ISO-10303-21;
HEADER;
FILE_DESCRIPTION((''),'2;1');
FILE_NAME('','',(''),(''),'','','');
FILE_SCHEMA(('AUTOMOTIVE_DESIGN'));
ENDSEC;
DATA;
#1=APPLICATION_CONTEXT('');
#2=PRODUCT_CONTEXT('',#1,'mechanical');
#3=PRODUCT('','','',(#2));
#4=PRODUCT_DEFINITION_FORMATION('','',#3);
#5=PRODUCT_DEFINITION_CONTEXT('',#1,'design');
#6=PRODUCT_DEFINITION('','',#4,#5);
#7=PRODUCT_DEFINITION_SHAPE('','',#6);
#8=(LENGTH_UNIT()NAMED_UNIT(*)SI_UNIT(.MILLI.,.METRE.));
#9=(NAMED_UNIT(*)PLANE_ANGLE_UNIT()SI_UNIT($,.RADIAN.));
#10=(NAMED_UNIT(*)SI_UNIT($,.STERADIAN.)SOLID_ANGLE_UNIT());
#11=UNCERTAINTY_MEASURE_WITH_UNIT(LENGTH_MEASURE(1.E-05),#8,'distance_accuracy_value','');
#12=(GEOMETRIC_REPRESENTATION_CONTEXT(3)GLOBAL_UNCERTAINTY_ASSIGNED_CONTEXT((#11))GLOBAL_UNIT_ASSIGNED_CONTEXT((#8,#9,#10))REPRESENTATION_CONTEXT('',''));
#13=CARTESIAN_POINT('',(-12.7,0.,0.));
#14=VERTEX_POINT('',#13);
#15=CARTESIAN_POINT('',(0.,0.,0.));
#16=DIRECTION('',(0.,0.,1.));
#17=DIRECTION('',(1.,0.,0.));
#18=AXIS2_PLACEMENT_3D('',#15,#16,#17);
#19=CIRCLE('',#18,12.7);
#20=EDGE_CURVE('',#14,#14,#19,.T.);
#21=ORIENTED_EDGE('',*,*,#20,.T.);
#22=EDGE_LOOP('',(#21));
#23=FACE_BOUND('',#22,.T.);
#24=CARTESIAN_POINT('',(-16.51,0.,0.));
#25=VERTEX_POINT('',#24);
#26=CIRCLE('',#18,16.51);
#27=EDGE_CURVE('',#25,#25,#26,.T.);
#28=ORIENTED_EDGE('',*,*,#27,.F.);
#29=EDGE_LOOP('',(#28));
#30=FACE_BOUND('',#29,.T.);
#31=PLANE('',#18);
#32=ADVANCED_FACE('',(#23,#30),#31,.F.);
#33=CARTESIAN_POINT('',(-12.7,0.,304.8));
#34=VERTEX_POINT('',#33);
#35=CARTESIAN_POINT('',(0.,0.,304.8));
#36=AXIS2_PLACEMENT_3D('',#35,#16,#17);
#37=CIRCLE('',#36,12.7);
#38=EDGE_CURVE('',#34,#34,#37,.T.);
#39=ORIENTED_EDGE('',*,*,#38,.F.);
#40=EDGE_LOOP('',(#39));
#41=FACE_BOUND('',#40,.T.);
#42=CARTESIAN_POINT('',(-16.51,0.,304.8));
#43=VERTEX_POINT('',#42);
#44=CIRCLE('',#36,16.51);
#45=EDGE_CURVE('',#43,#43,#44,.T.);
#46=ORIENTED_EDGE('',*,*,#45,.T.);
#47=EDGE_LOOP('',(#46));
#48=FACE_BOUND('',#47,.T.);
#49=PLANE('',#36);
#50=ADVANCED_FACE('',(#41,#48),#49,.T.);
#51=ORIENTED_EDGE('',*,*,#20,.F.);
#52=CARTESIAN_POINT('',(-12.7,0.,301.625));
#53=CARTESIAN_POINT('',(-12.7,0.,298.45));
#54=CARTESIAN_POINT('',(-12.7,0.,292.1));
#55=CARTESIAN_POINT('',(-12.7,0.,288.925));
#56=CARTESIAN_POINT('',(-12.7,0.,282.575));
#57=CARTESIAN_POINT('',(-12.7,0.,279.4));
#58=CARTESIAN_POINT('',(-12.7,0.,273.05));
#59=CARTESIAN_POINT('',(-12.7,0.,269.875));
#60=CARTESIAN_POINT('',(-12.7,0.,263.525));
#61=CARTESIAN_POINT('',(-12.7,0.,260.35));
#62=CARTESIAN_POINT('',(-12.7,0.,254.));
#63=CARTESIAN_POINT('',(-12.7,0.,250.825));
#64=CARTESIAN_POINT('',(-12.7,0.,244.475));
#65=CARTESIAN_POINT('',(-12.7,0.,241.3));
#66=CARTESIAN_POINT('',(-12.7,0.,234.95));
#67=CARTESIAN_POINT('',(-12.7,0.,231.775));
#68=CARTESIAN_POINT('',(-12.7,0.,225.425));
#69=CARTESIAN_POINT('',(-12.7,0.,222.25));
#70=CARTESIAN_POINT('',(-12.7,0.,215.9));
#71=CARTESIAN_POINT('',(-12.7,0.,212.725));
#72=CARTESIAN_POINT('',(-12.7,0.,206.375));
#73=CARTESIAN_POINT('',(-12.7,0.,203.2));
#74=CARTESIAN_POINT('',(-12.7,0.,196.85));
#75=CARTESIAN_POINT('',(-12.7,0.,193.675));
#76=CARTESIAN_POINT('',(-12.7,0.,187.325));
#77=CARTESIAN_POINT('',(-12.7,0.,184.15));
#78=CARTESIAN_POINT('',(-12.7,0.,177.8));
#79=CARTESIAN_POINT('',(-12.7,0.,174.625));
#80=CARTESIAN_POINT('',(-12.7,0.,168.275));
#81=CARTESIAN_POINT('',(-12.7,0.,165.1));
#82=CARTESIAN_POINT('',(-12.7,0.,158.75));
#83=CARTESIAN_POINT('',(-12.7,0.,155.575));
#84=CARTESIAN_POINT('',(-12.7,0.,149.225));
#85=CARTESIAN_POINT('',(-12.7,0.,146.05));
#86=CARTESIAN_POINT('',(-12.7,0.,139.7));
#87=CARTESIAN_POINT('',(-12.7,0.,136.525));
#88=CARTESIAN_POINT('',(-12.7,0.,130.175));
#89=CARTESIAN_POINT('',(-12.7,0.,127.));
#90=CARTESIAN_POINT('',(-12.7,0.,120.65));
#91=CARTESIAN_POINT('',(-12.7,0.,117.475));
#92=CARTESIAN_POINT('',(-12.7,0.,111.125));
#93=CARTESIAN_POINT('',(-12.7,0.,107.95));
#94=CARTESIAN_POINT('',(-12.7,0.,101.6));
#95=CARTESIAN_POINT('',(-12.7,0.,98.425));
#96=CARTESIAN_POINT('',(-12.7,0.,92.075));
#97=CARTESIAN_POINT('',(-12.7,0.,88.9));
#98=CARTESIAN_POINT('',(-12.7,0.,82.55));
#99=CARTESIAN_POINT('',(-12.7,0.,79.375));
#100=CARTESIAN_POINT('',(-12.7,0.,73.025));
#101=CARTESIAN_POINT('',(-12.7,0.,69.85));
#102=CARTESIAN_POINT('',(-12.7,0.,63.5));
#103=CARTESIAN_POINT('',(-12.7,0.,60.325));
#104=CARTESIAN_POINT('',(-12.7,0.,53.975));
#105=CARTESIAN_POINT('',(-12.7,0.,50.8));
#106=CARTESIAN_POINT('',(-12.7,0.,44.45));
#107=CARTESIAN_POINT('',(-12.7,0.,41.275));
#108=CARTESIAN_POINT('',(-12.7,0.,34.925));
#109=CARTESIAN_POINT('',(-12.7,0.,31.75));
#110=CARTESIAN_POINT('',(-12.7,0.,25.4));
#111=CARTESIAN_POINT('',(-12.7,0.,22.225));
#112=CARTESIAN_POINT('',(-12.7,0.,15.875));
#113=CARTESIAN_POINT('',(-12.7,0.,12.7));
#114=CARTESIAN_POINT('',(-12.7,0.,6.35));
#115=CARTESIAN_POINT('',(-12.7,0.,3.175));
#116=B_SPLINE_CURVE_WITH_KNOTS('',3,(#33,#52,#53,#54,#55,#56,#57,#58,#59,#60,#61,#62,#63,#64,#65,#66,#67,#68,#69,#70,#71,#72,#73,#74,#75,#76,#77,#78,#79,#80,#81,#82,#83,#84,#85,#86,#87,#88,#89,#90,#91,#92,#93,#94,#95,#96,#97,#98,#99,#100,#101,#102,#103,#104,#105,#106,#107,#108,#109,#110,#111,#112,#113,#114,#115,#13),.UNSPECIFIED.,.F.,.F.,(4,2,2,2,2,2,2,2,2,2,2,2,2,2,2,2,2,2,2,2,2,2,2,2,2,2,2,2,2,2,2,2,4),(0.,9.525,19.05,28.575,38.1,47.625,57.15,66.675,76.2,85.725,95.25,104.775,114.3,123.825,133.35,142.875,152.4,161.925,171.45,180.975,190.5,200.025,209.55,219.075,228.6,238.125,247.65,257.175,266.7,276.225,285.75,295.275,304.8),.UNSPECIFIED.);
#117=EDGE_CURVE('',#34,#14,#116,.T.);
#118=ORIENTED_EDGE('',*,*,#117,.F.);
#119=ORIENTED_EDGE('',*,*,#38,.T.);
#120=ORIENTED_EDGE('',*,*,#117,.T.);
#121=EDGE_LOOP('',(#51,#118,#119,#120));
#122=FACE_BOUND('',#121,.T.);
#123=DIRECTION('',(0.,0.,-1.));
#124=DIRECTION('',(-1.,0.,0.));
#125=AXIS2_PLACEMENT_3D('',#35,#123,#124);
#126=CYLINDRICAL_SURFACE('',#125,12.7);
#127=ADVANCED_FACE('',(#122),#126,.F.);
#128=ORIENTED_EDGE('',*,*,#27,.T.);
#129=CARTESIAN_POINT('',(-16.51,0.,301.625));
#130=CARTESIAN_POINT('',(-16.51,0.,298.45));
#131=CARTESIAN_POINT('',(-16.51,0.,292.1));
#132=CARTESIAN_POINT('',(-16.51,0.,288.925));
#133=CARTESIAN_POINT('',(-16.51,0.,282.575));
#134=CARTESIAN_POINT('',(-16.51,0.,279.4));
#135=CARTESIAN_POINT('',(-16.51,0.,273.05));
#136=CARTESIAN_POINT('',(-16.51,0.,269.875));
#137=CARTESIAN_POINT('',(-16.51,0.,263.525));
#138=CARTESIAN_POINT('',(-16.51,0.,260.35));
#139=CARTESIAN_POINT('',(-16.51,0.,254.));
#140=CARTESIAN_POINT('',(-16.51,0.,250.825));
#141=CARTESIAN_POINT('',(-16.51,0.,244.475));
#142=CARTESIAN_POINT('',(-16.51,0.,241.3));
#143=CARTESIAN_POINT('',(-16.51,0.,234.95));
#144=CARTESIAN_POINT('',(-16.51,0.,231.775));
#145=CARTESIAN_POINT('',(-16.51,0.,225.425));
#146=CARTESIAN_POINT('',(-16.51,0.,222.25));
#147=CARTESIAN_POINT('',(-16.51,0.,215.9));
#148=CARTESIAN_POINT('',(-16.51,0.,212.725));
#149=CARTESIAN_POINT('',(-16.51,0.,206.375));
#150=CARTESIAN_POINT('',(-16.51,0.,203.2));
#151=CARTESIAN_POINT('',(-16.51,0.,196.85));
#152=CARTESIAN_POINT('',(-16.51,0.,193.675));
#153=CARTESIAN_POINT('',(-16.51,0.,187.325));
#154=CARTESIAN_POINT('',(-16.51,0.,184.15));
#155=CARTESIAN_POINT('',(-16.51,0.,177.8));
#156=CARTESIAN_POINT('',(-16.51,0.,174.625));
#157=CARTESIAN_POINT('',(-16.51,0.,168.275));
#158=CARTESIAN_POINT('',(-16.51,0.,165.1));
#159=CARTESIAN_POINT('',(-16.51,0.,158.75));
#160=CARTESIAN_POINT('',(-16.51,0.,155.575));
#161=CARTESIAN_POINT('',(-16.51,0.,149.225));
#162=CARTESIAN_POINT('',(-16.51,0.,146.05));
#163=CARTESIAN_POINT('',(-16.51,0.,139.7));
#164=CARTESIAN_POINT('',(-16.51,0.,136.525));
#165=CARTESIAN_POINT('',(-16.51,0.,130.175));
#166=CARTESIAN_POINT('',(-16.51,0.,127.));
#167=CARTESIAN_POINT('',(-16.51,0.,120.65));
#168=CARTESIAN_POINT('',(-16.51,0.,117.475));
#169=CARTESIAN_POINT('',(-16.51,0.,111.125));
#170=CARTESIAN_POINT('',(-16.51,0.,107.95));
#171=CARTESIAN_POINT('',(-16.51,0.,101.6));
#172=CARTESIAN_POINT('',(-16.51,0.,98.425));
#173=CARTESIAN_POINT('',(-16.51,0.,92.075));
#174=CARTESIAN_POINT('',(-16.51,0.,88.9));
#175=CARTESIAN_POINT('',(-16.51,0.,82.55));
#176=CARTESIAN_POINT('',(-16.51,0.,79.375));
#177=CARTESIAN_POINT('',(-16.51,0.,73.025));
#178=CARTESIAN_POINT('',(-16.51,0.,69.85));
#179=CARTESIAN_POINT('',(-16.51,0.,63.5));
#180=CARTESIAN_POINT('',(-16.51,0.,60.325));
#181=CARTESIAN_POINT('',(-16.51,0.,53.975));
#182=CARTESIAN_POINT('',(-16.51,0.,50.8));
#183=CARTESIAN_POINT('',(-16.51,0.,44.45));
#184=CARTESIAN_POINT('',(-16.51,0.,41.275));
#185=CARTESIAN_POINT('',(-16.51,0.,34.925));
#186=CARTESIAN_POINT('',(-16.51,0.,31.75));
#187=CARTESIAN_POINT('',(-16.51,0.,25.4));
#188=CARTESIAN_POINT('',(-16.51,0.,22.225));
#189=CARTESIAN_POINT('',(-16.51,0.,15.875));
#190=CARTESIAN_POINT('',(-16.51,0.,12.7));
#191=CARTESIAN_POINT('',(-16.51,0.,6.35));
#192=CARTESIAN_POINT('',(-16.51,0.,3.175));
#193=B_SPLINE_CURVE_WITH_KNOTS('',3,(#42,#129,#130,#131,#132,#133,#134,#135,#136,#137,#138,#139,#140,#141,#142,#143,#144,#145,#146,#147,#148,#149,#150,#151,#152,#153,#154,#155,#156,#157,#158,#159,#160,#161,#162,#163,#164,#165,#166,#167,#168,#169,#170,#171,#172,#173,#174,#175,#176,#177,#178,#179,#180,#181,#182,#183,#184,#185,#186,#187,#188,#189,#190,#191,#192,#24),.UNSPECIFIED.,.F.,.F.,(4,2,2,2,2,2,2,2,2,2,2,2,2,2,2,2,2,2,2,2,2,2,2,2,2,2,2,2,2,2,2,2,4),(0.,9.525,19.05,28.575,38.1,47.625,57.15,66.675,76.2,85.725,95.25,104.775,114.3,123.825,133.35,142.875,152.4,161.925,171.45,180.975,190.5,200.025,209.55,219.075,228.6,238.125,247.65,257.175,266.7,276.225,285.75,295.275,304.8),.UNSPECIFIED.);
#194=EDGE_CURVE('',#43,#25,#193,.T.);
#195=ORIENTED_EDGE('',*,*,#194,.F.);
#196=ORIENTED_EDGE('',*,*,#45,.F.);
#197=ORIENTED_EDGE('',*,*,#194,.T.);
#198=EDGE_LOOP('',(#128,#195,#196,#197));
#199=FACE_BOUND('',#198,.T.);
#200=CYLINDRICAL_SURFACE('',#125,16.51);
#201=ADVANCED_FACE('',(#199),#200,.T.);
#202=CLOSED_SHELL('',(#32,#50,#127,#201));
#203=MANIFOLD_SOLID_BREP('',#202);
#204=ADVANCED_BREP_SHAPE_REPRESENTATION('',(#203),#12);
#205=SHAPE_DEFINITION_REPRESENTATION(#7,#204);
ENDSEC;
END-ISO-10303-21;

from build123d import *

# Parameters (mm, degrees)
SKETCH1_R           = 16.51
SKETCH1_R_2         = 12.7
BOSS_EXTRUDE1_DEPTH = 304.8


with BuildPart() as part:
    # Sketch1 → Boss-Extrude1 (new body)
    with BuildSketch(Plane.XY):
        with Locations(Location((0, 0, 0), (0, 0, 180))):
            Circle(SKETCH1_R)
        with Locations(Location((0, 0, 0), (0, 0, 180))):
            Circle(SKETCH1_R_2, mode=Mode.SUBTRACT)
    extrude(amount=BOSS_EXTRUDE1_DEPTH)


solid = part.part
